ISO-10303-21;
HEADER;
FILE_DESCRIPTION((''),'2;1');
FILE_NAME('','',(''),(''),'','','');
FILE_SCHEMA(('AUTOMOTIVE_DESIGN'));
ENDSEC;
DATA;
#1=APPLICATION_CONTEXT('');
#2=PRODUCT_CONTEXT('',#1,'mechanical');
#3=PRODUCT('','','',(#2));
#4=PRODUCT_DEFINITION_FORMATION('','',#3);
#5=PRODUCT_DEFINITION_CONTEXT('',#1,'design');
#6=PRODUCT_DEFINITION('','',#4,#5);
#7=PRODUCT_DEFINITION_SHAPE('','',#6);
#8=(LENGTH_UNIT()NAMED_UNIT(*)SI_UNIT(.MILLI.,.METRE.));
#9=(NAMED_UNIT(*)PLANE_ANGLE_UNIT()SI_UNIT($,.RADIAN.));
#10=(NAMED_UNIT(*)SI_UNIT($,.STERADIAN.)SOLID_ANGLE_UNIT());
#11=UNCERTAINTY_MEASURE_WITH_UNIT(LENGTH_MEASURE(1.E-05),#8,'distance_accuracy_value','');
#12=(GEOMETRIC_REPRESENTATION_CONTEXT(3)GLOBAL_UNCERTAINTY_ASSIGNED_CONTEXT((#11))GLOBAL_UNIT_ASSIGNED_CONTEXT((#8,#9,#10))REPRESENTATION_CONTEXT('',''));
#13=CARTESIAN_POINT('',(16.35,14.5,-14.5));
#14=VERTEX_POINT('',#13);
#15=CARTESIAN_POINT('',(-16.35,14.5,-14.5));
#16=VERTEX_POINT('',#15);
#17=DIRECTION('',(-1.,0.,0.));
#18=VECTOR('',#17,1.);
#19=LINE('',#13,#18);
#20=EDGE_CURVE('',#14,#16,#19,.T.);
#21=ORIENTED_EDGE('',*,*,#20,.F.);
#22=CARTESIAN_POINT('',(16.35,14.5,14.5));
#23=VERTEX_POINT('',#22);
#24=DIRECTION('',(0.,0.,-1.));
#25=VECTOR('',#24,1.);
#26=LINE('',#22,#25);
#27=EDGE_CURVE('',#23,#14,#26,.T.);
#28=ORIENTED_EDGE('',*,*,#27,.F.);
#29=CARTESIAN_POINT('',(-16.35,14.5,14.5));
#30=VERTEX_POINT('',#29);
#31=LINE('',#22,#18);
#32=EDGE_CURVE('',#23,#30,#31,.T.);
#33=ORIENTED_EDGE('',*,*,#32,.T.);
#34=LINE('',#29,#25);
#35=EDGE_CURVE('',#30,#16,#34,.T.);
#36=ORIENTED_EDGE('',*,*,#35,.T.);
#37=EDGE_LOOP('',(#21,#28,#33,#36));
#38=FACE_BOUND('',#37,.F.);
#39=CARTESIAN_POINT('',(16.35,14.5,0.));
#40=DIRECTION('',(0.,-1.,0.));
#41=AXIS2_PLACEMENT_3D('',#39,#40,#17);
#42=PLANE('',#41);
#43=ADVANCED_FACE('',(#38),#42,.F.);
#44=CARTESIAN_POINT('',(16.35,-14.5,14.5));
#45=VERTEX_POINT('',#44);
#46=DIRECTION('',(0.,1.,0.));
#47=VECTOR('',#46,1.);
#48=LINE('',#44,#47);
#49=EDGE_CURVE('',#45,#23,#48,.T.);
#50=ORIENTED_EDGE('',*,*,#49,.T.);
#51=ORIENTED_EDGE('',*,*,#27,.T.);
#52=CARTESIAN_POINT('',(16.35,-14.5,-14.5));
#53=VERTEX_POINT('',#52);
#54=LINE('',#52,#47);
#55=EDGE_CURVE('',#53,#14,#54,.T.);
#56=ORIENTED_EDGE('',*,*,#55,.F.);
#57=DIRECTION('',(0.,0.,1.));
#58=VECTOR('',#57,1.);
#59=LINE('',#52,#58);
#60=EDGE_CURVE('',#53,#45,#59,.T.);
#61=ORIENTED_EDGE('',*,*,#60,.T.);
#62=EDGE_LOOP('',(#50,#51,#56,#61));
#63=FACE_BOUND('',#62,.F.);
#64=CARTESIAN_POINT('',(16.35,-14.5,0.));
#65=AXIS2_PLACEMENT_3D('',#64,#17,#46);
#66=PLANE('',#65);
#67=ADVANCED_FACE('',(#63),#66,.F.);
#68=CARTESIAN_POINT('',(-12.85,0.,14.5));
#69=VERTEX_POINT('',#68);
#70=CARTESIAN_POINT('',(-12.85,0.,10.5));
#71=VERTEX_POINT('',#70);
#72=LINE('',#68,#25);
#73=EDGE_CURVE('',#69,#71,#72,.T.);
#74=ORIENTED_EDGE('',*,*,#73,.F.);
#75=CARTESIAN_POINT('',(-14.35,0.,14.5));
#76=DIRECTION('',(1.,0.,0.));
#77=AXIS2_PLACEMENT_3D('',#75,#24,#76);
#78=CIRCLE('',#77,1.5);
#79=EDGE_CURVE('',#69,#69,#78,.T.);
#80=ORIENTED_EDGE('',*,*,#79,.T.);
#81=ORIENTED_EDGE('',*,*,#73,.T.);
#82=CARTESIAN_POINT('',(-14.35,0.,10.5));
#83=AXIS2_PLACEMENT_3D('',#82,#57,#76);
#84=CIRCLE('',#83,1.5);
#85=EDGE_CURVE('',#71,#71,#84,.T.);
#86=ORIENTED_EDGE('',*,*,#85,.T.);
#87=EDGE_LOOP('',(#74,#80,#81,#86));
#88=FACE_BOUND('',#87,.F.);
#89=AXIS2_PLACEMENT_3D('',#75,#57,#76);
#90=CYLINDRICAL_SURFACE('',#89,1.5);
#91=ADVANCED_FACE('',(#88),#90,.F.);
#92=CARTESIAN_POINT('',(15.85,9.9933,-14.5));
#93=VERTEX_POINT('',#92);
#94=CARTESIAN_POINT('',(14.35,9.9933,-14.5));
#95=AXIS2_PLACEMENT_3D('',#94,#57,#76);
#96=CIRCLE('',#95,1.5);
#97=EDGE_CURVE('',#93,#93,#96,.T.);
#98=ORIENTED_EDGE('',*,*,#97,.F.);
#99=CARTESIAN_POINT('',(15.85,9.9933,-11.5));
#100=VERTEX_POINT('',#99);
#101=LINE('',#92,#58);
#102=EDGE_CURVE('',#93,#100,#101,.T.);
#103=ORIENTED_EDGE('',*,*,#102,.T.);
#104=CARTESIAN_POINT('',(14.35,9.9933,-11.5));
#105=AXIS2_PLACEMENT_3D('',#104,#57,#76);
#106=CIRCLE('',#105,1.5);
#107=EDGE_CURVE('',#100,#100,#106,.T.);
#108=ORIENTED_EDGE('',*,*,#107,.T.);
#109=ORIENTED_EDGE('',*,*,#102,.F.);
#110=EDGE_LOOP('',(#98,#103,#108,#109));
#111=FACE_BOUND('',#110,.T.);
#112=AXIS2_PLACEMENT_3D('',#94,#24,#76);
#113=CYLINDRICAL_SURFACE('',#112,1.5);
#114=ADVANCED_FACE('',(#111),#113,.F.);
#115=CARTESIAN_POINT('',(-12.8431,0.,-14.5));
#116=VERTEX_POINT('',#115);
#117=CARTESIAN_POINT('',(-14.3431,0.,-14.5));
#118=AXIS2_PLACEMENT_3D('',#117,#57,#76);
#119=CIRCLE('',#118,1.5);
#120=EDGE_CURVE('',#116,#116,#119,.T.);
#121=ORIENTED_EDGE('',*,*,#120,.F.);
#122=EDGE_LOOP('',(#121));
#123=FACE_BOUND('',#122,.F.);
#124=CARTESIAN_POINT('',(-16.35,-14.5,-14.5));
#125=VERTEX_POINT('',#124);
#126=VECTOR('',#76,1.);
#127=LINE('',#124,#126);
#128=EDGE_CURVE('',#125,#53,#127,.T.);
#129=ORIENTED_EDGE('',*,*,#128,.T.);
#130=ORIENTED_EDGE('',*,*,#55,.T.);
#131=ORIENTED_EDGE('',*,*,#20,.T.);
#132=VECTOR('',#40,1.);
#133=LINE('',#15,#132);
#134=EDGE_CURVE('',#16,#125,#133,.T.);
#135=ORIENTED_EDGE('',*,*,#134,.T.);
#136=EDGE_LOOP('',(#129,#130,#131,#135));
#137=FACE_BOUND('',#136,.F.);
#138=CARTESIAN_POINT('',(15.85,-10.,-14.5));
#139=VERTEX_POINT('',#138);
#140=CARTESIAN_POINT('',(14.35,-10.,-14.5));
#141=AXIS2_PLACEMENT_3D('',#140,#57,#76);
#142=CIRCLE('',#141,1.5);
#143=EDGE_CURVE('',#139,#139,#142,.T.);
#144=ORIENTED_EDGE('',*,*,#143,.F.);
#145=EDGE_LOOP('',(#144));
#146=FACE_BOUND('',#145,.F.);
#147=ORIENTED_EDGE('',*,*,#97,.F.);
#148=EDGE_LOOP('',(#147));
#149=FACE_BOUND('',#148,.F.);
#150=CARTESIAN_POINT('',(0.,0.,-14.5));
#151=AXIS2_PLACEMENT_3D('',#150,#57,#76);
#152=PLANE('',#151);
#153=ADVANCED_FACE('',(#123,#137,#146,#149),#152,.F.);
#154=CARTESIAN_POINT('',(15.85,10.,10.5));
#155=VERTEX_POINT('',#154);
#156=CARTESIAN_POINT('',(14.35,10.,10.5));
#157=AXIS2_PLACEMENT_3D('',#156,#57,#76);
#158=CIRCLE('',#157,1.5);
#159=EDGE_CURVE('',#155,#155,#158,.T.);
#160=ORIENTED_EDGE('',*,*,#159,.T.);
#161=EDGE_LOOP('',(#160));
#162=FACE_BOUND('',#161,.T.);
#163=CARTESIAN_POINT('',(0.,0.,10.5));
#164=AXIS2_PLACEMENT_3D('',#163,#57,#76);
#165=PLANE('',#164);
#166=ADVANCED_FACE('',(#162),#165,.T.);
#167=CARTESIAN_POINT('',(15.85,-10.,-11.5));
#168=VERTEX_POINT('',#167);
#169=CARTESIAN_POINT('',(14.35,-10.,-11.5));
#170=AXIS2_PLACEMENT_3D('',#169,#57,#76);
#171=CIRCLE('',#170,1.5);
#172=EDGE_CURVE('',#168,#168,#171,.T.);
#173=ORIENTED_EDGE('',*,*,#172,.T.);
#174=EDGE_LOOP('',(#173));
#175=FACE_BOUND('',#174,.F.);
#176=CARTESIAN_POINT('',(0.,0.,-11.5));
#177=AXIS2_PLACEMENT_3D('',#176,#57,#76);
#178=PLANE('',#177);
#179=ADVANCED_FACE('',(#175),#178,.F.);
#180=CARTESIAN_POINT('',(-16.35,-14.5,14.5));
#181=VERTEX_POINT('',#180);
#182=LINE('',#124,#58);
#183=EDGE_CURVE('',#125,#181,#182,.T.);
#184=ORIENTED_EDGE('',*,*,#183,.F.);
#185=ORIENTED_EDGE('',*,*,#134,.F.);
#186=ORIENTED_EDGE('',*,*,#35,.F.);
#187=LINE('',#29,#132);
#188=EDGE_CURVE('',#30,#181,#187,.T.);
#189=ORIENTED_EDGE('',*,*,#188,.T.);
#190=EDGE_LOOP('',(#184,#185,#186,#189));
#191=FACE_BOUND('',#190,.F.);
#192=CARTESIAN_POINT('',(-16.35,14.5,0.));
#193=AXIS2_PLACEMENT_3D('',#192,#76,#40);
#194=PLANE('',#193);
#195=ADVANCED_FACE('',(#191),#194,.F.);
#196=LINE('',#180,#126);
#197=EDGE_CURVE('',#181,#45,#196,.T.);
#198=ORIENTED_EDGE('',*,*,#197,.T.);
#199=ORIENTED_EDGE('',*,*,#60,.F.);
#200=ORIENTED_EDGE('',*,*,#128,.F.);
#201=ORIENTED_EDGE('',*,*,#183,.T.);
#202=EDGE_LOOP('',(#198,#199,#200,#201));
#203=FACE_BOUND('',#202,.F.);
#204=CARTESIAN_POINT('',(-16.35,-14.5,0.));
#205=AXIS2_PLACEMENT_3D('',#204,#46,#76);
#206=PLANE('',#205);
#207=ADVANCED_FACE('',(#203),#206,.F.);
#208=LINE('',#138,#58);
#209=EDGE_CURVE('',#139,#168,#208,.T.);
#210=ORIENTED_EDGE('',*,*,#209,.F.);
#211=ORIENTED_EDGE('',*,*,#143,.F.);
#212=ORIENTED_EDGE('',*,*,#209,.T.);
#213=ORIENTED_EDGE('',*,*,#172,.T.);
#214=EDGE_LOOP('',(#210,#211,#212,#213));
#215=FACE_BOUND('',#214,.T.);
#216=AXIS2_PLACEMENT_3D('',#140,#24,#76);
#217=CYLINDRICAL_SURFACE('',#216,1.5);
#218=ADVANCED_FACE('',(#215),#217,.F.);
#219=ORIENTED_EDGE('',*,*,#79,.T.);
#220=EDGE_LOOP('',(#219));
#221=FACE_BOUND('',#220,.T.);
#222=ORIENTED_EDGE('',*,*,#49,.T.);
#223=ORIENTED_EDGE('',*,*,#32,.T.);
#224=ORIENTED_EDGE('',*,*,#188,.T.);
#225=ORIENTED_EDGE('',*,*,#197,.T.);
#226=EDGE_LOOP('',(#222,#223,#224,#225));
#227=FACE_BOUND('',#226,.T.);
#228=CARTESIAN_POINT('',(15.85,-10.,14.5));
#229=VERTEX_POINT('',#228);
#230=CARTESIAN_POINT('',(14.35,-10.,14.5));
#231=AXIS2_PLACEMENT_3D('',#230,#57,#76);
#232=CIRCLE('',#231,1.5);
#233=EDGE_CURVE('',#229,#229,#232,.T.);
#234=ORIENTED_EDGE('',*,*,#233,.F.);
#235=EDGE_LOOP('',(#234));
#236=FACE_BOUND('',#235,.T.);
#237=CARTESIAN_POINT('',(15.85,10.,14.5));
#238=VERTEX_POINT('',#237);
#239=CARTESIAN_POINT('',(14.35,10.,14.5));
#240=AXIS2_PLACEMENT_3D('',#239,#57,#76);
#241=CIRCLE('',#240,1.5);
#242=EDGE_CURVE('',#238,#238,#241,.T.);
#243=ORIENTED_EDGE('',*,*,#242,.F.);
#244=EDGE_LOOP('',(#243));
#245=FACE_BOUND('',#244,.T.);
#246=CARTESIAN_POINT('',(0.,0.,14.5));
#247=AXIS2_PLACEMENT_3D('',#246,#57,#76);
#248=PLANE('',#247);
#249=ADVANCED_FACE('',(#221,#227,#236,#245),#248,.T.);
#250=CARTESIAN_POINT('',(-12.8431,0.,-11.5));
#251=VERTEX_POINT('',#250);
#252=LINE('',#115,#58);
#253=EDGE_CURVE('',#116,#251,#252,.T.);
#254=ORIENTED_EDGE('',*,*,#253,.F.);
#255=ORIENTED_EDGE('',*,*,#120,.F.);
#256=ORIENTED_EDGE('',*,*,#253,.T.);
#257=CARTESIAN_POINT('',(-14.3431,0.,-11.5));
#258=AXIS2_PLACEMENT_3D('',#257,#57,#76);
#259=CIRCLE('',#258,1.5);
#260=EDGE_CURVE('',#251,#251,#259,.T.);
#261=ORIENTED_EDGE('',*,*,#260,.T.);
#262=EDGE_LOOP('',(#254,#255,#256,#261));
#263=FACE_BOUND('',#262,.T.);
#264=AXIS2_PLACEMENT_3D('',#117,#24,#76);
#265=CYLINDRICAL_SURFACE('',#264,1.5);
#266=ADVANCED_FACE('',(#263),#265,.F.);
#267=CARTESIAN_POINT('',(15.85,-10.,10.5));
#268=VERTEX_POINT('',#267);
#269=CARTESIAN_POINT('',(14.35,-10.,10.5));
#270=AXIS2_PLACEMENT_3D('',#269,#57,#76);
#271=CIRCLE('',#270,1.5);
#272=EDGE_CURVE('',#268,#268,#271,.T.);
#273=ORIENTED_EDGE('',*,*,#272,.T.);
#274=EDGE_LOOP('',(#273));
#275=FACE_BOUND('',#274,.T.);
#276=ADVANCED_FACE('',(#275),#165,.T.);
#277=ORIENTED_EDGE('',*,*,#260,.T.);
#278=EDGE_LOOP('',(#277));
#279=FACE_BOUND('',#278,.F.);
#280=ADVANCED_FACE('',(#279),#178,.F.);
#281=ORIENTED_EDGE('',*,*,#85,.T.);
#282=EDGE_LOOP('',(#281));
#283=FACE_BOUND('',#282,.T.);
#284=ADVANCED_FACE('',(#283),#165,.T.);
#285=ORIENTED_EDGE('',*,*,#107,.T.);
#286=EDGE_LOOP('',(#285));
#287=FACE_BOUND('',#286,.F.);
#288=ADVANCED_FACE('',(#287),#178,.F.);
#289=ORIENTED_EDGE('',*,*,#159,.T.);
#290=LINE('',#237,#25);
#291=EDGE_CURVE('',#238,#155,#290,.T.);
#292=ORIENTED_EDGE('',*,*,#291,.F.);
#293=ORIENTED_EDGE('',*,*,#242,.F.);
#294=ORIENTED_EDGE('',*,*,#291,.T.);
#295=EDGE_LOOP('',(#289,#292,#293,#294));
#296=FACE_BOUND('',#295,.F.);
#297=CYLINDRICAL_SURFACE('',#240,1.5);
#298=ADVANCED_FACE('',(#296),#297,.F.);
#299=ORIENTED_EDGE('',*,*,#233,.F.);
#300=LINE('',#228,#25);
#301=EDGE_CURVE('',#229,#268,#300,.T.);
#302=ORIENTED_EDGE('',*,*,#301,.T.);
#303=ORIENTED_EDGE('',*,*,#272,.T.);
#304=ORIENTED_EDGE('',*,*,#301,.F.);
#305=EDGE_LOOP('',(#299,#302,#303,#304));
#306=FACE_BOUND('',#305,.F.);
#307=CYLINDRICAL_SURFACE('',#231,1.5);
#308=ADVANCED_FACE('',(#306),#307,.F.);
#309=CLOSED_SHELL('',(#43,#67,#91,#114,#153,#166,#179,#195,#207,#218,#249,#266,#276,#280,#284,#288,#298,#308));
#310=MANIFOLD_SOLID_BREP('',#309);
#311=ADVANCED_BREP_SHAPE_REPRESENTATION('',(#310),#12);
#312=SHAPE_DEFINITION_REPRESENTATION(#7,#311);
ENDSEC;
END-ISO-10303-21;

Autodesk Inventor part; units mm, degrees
ref_plane "YZ Plane" through (0, 0, 0) normal (1, 0, 0) x (0, 1, 0)
ref_plane "XZ Plane" through (0, 0, 0) normal (0, 1, 0) x (-1, 0, 0)
sketch "Sketch1" plane through (0, 0, 0) normal (0, 0, 1) x (1, 0, 0)
  line L0 (-16.35, -14.5) -> (16.35, -14.5)
  line L1 (16.35, -14.5) -> (16.35, 14.5)
  line L2 (16.35, 14.5) -> (-16.35, 14.5)
  line L3 (-16.35, 14.5) -> (-16.35, -14.5)
  line L4 (-16.35, -14.5) -> (16.35, 14.5) construction
  line L5 (16.35, -14.5) -> (-16.35, 14.5) construction
  point P0 (0, 0)
  dimension "d0" = 32.7
  dimension "d1" = 29
extrude "Extrusion1" add sketch "Sketch1" along normal mid plane 29
sketch "Sketch2" plane through (0, 0, 14.5) normal (0, 0, 1) x (1, 0, 0)
  circle A0 centre (14.35, 10) radius 1.5
  circle A1 centre (14.35, -10) radius 1.5
  circle A2 centre (-14.35, 0) radius 1.5
  line L0 (16.35, -14.5) -> (16.35, 14.5) projected
  line L1 (-26.8046, 0) -> (27.4172, 0)
  point P0 (0, 0)
  dimension "d4" = 3
  dimension "d5" = 3
  dimension "d6" = 3
  dimension "d7" = 20
  dimension "d8" = 2
  dimension "d9" = 28.7
extrude "Extrusion2" cut sketch "Sketch2" against normal blind 4
thread "Thread1" size "M3x0.5" class "6H" standard "ANSI Metric M Profile" length 5
thread "Thread2" size "M3x0.5" class "6H" standard "ANSI Metric M Profile" length 5
thread "Thread3" size "M3x0.5" class "6H" standard "ANSI Metric M Profile" length 5
sketch "Sketch3" plane through (0, 0, -14.5) normal (0, 0, -1) x (-1, 0, 0)
  point P0 (0, 0)
sketch "Sketch4" plane through (-16.35, 14.5, 14.5) normal (0, 1, 0) x (1, 0, 0)
  point P0 (16.35, 14.5)
ref_plane "Work Plane2" through (0, 0, -14.5) normal (0, 0, 1) x (1, 0, 0)
sketch "Sketch6" plane through (0, 0, -14.5) normal (0, 0, 1) x (1, 0, 0)
  circle A0 centre (-14.3431, 0) radius 1.5
  circle A1 centre (14.35, -10) radius 1.5 projected
  circle A2 centre (14.35, -10) radius 1.5
  circle A3 centre (14.35, 9.9933) radius 1.5
  point P0 (0, 0)
  dimension "d20" = 3
  dimension "d21" = 3
  dimension "d22" = 3
sketch "Sketch7" plane through (0, 0, -14.5) normal (0, 0, -1) x (-1, 0, 0)
  point P0 (0, 0)
extrude "Extrusion3" cut sketch "Sketch6" along normal blind 3
thread "Thread4" size "M3x0.5" class "6H" standard "ANSI Metric M Profile" length 5
thread "Thread5" size "M3x0.5" class "6H" standard "ANSI Metric M Profile" length 5
thread "Thread6" size "M3x0.5" class "6H" standard "ANSI Metric M Profile" length 5
equation "\"d23\" = d20"
properties part number "Camera" material "Steel, Alloy"
